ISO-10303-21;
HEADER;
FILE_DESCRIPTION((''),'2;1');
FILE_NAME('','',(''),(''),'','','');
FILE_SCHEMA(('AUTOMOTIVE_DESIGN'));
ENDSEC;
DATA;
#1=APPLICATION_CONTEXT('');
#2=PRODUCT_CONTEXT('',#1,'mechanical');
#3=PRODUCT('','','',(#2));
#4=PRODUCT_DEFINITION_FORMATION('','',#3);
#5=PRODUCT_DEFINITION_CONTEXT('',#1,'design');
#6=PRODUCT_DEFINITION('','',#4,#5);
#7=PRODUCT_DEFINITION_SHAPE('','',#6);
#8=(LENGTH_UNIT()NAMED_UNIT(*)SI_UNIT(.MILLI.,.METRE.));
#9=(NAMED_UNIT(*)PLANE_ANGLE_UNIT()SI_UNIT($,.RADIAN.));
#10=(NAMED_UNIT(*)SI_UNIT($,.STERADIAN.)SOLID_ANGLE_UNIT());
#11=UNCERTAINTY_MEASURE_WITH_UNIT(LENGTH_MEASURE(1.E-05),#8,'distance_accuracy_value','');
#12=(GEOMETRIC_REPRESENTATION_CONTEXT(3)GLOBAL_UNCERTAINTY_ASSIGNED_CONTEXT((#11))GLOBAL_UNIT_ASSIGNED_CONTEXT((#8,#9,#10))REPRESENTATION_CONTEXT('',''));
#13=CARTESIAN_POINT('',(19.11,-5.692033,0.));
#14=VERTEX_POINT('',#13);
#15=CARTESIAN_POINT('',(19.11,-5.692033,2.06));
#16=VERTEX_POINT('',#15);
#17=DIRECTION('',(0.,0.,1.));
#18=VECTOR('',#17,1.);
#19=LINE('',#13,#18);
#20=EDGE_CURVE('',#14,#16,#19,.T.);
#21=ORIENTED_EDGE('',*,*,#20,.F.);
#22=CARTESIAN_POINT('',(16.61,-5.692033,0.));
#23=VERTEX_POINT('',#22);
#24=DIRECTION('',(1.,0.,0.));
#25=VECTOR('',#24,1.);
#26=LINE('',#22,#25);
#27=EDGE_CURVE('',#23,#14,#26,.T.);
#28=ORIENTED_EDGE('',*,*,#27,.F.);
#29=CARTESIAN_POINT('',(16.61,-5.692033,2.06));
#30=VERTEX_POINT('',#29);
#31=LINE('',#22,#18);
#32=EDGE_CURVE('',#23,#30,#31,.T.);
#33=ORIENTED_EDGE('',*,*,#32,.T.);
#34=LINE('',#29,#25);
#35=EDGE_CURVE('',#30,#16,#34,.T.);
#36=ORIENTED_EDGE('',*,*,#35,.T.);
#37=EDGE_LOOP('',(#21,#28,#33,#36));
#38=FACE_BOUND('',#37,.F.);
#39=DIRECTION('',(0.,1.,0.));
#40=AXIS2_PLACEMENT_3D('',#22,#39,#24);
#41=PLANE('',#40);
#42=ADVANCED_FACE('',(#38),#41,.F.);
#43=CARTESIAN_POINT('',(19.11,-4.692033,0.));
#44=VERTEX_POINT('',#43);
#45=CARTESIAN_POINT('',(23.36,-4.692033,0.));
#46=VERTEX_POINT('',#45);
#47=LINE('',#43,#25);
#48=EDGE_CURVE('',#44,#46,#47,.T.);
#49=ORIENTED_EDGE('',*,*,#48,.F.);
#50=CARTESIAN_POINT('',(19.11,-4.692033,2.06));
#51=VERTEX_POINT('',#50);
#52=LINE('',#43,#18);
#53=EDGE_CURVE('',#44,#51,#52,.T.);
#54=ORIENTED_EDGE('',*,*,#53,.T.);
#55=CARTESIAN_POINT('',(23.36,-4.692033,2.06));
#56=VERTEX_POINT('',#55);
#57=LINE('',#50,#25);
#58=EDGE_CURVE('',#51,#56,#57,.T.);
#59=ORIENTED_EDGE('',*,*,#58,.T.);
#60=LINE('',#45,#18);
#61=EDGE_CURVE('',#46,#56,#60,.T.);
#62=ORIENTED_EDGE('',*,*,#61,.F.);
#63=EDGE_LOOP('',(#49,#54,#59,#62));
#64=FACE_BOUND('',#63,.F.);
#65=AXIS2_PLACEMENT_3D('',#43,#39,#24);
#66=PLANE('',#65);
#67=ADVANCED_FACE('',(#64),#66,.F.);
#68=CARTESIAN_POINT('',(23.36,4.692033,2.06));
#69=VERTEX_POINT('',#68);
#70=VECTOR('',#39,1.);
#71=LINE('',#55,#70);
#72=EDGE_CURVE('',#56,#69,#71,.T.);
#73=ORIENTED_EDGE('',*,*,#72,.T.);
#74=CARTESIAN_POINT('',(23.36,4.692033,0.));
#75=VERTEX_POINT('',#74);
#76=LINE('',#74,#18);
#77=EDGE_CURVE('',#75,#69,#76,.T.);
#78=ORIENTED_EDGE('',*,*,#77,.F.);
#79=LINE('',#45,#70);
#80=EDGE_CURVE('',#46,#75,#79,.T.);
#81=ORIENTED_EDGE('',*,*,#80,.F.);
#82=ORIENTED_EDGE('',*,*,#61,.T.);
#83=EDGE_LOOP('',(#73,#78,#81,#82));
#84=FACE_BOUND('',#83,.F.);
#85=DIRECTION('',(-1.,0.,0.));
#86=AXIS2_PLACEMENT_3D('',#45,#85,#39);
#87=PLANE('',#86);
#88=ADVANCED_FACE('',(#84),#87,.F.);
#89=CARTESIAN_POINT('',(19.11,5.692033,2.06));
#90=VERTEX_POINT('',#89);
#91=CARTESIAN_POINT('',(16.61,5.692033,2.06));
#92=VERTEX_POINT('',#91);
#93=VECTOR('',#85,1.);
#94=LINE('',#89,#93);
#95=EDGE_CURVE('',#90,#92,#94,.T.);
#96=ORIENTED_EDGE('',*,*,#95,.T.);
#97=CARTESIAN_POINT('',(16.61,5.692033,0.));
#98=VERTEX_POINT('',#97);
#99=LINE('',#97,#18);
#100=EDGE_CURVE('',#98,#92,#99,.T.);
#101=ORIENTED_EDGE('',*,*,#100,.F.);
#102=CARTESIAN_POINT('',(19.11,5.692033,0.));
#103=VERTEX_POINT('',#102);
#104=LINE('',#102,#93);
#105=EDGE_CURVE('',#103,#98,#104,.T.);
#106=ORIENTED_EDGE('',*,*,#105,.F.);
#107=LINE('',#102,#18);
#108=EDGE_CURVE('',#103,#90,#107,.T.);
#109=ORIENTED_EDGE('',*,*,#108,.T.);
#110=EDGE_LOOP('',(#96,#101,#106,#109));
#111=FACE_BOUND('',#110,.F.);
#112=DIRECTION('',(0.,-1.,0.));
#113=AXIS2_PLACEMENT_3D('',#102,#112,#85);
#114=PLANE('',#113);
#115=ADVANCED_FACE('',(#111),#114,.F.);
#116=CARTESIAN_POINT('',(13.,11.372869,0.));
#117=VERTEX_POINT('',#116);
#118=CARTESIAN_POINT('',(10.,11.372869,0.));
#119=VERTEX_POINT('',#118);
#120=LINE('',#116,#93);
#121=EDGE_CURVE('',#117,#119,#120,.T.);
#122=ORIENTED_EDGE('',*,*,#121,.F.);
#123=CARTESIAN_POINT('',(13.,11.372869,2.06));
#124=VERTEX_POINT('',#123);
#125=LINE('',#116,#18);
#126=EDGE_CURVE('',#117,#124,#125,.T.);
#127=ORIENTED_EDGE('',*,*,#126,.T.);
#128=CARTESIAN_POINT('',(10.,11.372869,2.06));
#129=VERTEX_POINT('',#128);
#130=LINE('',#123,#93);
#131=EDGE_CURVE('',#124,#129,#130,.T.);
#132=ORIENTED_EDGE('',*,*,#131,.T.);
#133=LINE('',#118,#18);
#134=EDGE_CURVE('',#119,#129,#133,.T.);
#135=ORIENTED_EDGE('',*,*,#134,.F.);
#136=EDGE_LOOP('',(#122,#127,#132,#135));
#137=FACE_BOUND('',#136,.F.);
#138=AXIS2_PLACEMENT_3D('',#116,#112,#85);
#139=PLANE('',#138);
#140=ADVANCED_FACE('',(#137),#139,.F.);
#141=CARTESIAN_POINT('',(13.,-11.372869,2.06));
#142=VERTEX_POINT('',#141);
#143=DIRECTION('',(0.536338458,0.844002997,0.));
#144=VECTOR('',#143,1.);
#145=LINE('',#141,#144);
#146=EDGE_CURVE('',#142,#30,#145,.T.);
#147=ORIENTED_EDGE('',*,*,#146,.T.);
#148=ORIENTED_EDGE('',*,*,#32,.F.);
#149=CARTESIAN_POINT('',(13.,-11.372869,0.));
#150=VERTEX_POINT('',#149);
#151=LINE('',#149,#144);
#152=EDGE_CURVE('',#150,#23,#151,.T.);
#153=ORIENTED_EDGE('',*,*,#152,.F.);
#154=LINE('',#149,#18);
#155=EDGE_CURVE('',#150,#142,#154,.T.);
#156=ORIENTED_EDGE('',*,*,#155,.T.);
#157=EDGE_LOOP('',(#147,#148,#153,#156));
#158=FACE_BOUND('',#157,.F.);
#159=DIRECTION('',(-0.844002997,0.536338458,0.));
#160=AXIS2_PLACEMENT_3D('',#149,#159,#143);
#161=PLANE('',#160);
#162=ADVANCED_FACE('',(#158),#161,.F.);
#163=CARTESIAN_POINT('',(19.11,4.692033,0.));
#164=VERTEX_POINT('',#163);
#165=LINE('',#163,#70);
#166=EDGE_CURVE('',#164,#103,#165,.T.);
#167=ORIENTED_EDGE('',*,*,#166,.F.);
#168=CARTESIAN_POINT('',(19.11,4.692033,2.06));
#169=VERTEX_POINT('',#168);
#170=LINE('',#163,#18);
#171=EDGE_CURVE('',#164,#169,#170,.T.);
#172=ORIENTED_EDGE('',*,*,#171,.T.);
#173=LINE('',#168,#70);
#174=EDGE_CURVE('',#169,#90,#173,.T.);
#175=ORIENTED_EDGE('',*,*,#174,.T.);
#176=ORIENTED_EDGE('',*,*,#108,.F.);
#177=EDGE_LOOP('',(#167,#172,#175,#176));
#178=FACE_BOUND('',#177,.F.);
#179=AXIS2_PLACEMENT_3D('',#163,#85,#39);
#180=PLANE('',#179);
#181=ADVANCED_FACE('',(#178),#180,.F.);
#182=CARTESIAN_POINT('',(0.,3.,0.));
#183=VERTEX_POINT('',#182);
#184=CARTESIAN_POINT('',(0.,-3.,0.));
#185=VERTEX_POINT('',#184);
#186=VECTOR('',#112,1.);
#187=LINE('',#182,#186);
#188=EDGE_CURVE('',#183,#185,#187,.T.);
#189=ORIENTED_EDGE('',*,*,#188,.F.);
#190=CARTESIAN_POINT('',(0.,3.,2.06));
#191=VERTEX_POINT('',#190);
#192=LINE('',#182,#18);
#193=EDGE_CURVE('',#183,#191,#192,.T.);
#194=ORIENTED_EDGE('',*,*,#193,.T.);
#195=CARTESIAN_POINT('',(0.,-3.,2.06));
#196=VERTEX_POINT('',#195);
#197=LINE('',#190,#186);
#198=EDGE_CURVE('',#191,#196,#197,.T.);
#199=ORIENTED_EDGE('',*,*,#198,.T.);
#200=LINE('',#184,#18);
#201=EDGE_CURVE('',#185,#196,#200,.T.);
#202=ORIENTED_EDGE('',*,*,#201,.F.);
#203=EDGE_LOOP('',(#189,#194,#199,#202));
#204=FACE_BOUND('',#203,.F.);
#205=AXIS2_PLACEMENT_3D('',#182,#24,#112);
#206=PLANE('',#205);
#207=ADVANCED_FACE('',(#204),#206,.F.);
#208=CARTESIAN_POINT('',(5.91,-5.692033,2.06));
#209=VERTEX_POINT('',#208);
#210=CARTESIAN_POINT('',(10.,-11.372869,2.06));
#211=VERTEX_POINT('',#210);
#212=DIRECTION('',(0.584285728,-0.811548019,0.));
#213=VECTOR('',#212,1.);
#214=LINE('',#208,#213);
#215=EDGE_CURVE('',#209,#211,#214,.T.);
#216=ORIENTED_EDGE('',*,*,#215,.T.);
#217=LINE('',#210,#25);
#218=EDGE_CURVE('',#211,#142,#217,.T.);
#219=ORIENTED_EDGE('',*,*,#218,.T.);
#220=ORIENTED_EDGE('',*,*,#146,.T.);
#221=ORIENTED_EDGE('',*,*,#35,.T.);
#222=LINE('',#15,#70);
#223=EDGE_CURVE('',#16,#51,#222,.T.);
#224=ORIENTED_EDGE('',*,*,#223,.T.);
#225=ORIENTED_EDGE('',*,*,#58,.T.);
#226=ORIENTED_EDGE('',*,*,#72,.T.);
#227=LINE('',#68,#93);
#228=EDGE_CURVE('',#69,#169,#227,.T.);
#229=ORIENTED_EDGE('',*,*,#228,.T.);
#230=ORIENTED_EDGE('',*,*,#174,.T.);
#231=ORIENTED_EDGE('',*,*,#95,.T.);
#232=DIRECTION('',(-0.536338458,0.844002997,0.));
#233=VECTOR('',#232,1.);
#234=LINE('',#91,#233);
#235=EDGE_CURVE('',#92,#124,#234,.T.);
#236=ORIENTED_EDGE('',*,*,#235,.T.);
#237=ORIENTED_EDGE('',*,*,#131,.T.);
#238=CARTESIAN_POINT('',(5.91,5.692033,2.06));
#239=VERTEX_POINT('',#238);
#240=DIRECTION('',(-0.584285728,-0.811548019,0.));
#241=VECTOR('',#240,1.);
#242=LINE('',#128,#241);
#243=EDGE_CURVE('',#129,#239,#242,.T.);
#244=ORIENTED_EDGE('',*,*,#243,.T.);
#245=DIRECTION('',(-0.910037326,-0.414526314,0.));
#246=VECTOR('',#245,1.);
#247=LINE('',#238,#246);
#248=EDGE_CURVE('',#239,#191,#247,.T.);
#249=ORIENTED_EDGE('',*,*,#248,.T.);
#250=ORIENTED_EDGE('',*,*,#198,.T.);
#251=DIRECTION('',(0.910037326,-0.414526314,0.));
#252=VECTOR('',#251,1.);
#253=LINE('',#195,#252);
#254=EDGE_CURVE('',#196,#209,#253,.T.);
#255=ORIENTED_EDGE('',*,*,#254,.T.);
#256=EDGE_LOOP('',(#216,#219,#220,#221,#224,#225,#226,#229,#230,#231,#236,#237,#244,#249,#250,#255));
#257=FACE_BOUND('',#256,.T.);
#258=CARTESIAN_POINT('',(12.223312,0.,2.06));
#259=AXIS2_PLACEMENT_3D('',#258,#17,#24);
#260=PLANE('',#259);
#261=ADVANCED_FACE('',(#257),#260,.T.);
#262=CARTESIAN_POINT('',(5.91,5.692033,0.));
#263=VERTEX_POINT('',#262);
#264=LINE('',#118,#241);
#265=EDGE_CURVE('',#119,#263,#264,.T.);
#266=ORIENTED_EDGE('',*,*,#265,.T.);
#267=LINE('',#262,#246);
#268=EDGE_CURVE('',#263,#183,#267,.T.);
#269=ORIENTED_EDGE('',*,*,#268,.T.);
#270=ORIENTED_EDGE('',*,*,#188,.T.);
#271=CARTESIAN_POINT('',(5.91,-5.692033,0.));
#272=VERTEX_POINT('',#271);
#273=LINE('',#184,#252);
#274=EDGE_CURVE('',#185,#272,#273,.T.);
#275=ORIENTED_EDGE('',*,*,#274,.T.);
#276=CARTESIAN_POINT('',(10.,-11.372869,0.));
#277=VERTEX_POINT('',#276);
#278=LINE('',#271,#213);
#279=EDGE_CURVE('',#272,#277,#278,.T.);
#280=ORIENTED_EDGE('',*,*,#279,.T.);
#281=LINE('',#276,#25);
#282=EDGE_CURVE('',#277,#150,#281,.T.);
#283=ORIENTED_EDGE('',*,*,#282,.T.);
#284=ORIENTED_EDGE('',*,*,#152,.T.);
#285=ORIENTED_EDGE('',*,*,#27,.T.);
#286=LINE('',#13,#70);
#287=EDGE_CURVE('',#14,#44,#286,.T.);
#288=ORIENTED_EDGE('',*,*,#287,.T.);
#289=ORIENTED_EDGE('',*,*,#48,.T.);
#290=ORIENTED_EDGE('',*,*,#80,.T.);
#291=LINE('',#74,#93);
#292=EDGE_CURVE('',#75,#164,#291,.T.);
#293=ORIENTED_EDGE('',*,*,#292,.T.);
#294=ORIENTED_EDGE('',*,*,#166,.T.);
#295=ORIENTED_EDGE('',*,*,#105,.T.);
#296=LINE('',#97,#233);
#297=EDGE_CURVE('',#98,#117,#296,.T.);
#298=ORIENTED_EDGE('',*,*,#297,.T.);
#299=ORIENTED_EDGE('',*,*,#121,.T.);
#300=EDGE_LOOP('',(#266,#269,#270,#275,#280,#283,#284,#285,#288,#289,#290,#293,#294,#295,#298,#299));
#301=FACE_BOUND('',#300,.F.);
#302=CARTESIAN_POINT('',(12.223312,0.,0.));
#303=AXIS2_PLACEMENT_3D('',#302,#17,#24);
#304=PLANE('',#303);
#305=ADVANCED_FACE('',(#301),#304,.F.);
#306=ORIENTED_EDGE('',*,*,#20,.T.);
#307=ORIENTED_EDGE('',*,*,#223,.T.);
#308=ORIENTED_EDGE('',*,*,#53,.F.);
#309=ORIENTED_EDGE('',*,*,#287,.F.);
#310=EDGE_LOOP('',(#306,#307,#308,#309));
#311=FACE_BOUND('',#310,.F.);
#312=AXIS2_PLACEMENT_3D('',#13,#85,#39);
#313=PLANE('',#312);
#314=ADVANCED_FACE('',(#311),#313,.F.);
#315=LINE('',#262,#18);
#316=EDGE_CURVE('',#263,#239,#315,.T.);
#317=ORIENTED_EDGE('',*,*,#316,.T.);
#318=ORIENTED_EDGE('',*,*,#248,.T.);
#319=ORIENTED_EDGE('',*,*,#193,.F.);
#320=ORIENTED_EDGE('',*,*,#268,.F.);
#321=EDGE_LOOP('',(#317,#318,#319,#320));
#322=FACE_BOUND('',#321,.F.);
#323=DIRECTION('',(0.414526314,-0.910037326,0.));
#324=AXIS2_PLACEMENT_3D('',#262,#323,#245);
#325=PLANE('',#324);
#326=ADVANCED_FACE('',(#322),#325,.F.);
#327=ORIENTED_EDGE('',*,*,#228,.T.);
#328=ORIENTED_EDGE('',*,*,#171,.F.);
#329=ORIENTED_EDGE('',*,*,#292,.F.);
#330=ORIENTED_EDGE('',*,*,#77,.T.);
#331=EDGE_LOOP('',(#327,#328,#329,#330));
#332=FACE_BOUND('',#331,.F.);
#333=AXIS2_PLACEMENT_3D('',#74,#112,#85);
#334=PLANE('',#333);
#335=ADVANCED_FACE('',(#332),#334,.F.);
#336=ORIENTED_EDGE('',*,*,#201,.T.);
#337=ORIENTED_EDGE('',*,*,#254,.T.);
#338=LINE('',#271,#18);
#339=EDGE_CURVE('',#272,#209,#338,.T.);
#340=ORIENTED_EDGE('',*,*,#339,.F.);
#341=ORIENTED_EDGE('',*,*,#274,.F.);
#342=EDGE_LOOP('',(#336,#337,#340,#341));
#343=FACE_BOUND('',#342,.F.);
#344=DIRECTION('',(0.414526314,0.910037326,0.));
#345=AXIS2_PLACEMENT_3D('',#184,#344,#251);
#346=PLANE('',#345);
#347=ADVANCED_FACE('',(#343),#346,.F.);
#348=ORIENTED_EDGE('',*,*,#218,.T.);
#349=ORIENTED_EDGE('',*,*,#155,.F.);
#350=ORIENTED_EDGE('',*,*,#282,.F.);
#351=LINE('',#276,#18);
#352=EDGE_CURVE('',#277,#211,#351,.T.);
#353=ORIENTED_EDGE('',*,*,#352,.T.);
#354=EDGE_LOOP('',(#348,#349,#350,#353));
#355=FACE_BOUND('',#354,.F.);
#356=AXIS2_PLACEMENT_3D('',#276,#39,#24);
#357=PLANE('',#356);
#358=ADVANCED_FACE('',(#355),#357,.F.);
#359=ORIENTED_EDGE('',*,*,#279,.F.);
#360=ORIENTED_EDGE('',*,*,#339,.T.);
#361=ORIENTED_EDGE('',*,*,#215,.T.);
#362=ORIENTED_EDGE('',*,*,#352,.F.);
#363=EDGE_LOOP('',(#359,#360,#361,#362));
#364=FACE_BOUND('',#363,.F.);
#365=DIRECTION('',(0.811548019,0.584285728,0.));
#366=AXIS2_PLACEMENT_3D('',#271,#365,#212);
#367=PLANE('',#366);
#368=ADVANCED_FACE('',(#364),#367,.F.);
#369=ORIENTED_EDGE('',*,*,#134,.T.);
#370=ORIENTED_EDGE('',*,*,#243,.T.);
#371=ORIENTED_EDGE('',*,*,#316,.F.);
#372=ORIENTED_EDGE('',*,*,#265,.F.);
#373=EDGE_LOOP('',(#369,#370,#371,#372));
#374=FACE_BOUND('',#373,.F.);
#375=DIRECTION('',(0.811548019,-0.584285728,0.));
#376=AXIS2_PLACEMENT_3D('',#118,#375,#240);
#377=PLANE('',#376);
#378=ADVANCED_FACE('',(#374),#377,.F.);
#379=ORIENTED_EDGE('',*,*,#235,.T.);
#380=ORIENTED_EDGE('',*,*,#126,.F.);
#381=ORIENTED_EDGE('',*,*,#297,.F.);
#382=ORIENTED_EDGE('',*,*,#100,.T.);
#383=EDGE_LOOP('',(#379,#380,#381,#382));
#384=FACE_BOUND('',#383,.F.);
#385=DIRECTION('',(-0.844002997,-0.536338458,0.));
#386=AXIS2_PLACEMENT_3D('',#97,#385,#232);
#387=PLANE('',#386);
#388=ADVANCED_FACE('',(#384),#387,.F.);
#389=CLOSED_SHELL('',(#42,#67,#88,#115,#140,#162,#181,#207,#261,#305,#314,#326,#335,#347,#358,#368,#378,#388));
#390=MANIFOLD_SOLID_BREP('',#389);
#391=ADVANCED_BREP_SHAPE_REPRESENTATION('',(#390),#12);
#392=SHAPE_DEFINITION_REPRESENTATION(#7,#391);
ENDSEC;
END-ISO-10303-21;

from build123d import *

# Parameters (mm, degrees)
F1_DEPTH = 2.06


with BuildPart() as f1:
    # F0 (on Top) → F1 (new body)
    with BuildSketch(Plane.XY):
        Polygon((0, 3), (0, 0), (0, -3), (5.91, -5.692033), (10, -11.372869), (13, -11.372869), (16.61, -5.692033), (19.11, -5.692033), (19.11, -4.692033), (23.36, -4.692033), (23.36, 0), (23.36, 4.692033), (19.11, 4.692033), (19.11, 5.692033), (16.61, 5.692033), (13, 11.372869), (10, 11.372869), (5.91, 5.692033), align=None)
    extrude(amount=F1_DEPTH)


solid = f1.part
